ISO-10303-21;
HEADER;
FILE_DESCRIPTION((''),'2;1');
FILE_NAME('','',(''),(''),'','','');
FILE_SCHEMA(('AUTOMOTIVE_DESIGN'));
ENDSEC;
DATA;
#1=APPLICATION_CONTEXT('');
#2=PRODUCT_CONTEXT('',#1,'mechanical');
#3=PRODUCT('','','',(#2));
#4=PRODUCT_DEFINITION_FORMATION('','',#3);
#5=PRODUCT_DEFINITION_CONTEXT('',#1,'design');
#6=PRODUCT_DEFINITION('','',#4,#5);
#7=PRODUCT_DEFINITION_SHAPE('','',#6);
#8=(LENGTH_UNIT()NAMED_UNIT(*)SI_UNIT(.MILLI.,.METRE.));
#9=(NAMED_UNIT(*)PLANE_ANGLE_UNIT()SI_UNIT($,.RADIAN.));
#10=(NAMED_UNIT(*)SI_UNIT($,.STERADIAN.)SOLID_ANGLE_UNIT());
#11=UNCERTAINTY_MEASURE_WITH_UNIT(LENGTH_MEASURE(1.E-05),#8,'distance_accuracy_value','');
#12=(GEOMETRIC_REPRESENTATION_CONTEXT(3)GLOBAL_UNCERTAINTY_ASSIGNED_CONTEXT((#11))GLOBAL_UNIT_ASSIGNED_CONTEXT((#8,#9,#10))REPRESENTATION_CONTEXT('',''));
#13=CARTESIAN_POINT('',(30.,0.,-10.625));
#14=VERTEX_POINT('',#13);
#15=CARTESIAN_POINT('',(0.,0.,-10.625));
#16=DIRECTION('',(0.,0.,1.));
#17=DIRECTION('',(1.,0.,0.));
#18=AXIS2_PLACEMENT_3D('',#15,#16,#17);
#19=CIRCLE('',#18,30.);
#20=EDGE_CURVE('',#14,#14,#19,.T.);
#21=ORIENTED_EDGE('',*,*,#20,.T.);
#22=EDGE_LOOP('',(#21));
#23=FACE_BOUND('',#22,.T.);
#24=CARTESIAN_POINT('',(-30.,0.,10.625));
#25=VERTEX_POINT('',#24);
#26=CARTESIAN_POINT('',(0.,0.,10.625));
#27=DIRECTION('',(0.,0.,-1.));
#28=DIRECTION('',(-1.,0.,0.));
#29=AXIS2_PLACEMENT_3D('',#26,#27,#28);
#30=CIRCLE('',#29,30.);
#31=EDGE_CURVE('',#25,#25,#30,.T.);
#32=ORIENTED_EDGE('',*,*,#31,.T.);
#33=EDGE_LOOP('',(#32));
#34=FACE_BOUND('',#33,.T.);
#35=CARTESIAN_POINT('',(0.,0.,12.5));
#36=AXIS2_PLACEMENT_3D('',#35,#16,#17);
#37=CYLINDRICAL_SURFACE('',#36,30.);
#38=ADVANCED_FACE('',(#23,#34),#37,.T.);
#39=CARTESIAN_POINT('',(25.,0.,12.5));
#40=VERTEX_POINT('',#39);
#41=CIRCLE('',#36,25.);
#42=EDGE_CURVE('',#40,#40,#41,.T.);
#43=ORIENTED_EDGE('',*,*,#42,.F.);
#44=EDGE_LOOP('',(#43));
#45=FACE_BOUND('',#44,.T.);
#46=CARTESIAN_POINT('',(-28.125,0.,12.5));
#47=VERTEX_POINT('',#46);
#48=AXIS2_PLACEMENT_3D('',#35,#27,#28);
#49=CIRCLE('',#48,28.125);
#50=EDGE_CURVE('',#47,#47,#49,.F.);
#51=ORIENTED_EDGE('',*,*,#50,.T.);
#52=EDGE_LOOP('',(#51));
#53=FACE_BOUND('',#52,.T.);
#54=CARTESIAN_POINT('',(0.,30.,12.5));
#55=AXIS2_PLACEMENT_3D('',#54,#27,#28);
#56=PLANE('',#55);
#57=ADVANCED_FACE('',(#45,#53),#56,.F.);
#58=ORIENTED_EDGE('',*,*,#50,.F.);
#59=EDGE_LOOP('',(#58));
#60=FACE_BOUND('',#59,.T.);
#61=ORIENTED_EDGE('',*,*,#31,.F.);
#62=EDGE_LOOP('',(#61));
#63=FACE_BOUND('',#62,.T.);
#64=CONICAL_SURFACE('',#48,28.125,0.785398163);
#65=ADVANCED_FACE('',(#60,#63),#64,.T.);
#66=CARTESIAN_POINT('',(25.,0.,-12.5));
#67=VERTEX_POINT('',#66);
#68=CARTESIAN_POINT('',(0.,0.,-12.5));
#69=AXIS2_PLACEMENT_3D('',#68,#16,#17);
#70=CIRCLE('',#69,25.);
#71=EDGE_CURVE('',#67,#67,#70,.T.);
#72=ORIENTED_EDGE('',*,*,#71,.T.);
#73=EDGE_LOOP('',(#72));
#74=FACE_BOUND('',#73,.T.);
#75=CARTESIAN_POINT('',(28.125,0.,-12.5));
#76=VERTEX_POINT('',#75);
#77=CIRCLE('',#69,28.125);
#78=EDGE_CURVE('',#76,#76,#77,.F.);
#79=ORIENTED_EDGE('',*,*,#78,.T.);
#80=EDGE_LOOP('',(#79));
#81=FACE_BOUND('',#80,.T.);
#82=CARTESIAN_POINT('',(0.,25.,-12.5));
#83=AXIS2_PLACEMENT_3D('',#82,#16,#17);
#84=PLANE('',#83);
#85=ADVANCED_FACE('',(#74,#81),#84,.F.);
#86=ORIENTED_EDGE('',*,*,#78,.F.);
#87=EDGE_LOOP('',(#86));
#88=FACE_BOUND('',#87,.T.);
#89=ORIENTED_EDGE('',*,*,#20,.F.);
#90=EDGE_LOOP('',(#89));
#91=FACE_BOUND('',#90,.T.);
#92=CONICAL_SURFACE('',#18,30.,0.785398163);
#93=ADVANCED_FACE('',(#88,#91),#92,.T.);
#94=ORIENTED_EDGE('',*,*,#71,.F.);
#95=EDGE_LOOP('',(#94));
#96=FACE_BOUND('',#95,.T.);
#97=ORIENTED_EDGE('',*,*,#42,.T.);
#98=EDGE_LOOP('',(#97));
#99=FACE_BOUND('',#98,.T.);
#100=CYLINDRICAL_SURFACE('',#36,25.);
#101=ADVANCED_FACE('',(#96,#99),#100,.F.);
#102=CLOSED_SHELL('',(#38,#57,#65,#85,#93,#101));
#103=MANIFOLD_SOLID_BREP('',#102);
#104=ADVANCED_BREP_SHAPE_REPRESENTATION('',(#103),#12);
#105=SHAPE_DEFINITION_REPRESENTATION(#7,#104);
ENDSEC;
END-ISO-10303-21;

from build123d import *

# Parameters (mm, degrees)
SKETCH3_W     = 25
SKETCH3_H     = 5
CHAMFER1_SIZE = 1.875


with BuildPart() as part:
    # Sketch3 → Revolve1 (revolve)
    with BuildSketch(Plane(origin=(0, 0, 0), x_dir=(0, 0, -1), z_dir=(1, 0, 0))):
        with Locations((0, 27.5)):
            Rectangle(SKETCH3_W, SKETCH3_H)
    revolve(axis=Axis((0, 0, 12.5), (0, 0, -1)))

    # Chamfer1
    chamfer1_edges = [part.edges().sort_by_distance(p)[0] for p in [
        (0, -30, 12.5),
        (0, -30, -12.5),
    ]]
    chamfer(chamfer1_edges, length=CHAMFER1_SIZE)


solid = part.part
